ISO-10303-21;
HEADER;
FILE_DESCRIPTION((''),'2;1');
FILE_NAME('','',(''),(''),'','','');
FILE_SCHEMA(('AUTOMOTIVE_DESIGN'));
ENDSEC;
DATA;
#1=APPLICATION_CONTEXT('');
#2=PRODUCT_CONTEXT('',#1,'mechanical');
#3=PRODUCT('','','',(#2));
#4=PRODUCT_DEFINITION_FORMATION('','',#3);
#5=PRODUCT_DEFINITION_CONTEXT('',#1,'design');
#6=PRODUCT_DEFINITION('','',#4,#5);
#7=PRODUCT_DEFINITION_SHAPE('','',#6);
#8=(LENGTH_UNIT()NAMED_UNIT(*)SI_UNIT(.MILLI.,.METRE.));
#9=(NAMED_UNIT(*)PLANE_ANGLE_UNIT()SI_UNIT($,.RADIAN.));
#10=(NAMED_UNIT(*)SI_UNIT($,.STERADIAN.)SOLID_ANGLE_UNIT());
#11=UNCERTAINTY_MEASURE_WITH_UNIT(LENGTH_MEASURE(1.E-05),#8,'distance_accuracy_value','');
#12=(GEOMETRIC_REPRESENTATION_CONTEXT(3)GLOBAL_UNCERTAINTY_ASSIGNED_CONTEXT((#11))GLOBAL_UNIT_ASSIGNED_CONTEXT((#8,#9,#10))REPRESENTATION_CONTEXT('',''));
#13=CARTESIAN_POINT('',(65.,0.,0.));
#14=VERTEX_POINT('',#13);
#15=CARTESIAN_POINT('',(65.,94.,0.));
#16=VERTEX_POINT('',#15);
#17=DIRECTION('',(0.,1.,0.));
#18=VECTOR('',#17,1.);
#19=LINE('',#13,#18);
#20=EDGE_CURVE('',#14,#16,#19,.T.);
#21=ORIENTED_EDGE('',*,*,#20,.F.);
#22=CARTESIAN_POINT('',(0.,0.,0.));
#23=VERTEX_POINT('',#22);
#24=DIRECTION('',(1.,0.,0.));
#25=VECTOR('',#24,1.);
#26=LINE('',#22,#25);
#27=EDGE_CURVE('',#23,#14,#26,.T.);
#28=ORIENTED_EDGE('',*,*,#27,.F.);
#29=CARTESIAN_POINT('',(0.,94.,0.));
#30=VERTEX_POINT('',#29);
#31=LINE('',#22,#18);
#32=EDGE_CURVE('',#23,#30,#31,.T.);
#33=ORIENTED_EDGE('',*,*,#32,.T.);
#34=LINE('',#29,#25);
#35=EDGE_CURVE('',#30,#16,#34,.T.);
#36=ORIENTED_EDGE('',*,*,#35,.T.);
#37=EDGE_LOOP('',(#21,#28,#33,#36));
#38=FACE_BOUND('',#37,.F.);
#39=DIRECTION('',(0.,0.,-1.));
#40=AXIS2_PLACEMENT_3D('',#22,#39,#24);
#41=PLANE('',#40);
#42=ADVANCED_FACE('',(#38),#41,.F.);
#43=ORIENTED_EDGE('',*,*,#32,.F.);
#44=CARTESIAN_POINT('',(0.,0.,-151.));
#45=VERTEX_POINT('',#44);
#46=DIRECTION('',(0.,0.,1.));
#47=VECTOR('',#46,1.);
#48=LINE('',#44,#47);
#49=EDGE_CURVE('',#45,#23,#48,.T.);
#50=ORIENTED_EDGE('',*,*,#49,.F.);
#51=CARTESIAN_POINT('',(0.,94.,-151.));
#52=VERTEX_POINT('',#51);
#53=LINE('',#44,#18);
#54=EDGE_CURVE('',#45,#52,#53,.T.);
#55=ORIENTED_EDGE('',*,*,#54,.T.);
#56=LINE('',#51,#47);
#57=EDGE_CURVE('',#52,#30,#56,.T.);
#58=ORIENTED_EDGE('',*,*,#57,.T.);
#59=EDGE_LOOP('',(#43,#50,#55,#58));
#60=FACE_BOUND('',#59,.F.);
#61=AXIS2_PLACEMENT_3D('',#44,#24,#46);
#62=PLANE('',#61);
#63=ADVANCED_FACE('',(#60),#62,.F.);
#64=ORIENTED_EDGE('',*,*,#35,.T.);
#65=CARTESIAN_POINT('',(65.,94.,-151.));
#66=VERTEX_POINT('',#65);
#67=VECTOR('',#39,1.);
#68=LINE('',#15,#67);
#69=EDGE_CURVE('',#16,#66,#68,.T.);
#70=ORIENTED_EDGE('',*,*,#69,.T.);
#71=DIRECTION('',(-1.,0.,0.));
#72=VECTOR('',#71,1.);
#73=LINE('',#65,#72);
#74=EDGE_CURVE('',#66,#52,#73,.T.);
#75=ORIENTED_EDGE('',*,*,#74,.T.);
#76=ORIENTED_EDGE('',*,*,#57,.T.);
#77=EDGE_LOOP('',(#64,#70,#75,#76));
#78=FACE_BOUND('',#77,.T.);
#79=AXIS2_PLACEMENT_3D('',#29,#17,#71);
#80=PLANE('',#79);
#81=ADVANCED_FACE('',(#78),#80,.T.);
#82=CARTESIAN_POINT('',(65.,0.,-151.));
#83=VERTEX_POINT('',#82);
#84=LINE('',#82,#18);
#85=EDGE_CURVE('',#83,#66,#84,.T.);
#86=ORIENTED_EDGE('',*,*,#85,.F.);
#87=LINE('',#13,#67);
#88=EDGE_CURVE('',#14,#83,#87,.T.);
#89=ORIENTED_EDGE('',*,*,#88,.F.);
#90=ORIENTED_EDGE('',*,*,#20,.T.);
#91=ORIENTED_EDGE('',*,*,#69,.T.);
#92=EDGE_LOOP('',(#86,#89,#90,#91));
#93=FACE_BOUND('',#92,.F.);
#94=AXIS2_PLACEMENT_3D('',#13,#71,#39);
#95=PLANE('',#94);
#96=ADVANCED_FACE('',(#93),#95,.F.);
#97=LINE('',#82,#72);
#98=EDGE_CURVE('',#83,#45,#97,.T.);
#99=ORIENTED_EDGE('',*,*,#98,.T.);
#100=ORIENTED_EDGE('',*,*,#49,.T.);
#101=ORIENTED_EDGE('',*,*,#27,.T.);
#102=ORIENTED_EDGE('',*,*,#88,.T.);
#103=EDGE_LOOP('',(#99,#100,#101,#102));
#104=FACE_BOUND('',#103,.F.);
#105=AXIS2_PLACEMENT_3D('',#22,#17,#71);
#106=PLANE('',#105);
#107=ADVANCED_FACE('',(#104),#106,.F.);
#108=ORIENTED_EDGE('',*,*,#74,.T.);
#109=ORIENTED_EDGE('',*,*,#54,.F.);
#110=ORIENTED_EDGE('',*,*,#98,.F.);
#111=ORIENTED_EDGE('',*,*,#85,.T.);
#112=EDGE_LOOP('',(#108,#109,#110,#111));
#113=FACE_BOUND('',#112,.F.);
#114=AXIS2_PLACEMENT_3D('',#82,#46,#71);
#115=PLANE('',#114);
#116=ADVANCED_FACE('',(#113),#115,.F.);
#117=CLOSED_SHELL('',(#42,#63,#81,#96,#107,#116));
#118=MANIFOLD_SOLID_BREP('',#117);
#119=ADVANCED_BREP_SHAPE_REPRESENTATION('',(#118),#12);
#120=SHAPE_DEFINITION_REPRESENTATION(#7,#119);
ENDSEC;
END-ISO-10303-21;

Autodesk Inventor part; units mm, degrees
ref_plane "YZ Plane" through (0, 0, 0) normal (1, 0, 0) x (0, 1, 0)
ref_plane "XZ Plane" through (0, 0, 0) normal (0, 1, 0) x (-1, 0, 0)
ref_plane "XY Plane" through (0, 0, 0) normal (0, 0, 1) x (1, 0, 0)
sketch "스케치1" plane through (0, 0, 0) normal (0, 1, 0) x (-1, 0, 0)
  line L0 (0, 0) -> (-65, 0)
  line L1 (-65, 0) -> (-65, -151)
  line L2 (-65, -151) -> (0, -151)
  line L3 (0, -151) -> (0, 0)
  dimension "d0" = 65
  dimension "d1" = 151
extrude "돌출1" add sketch "스케치1" along normal blind 94
properties part number "bat"
